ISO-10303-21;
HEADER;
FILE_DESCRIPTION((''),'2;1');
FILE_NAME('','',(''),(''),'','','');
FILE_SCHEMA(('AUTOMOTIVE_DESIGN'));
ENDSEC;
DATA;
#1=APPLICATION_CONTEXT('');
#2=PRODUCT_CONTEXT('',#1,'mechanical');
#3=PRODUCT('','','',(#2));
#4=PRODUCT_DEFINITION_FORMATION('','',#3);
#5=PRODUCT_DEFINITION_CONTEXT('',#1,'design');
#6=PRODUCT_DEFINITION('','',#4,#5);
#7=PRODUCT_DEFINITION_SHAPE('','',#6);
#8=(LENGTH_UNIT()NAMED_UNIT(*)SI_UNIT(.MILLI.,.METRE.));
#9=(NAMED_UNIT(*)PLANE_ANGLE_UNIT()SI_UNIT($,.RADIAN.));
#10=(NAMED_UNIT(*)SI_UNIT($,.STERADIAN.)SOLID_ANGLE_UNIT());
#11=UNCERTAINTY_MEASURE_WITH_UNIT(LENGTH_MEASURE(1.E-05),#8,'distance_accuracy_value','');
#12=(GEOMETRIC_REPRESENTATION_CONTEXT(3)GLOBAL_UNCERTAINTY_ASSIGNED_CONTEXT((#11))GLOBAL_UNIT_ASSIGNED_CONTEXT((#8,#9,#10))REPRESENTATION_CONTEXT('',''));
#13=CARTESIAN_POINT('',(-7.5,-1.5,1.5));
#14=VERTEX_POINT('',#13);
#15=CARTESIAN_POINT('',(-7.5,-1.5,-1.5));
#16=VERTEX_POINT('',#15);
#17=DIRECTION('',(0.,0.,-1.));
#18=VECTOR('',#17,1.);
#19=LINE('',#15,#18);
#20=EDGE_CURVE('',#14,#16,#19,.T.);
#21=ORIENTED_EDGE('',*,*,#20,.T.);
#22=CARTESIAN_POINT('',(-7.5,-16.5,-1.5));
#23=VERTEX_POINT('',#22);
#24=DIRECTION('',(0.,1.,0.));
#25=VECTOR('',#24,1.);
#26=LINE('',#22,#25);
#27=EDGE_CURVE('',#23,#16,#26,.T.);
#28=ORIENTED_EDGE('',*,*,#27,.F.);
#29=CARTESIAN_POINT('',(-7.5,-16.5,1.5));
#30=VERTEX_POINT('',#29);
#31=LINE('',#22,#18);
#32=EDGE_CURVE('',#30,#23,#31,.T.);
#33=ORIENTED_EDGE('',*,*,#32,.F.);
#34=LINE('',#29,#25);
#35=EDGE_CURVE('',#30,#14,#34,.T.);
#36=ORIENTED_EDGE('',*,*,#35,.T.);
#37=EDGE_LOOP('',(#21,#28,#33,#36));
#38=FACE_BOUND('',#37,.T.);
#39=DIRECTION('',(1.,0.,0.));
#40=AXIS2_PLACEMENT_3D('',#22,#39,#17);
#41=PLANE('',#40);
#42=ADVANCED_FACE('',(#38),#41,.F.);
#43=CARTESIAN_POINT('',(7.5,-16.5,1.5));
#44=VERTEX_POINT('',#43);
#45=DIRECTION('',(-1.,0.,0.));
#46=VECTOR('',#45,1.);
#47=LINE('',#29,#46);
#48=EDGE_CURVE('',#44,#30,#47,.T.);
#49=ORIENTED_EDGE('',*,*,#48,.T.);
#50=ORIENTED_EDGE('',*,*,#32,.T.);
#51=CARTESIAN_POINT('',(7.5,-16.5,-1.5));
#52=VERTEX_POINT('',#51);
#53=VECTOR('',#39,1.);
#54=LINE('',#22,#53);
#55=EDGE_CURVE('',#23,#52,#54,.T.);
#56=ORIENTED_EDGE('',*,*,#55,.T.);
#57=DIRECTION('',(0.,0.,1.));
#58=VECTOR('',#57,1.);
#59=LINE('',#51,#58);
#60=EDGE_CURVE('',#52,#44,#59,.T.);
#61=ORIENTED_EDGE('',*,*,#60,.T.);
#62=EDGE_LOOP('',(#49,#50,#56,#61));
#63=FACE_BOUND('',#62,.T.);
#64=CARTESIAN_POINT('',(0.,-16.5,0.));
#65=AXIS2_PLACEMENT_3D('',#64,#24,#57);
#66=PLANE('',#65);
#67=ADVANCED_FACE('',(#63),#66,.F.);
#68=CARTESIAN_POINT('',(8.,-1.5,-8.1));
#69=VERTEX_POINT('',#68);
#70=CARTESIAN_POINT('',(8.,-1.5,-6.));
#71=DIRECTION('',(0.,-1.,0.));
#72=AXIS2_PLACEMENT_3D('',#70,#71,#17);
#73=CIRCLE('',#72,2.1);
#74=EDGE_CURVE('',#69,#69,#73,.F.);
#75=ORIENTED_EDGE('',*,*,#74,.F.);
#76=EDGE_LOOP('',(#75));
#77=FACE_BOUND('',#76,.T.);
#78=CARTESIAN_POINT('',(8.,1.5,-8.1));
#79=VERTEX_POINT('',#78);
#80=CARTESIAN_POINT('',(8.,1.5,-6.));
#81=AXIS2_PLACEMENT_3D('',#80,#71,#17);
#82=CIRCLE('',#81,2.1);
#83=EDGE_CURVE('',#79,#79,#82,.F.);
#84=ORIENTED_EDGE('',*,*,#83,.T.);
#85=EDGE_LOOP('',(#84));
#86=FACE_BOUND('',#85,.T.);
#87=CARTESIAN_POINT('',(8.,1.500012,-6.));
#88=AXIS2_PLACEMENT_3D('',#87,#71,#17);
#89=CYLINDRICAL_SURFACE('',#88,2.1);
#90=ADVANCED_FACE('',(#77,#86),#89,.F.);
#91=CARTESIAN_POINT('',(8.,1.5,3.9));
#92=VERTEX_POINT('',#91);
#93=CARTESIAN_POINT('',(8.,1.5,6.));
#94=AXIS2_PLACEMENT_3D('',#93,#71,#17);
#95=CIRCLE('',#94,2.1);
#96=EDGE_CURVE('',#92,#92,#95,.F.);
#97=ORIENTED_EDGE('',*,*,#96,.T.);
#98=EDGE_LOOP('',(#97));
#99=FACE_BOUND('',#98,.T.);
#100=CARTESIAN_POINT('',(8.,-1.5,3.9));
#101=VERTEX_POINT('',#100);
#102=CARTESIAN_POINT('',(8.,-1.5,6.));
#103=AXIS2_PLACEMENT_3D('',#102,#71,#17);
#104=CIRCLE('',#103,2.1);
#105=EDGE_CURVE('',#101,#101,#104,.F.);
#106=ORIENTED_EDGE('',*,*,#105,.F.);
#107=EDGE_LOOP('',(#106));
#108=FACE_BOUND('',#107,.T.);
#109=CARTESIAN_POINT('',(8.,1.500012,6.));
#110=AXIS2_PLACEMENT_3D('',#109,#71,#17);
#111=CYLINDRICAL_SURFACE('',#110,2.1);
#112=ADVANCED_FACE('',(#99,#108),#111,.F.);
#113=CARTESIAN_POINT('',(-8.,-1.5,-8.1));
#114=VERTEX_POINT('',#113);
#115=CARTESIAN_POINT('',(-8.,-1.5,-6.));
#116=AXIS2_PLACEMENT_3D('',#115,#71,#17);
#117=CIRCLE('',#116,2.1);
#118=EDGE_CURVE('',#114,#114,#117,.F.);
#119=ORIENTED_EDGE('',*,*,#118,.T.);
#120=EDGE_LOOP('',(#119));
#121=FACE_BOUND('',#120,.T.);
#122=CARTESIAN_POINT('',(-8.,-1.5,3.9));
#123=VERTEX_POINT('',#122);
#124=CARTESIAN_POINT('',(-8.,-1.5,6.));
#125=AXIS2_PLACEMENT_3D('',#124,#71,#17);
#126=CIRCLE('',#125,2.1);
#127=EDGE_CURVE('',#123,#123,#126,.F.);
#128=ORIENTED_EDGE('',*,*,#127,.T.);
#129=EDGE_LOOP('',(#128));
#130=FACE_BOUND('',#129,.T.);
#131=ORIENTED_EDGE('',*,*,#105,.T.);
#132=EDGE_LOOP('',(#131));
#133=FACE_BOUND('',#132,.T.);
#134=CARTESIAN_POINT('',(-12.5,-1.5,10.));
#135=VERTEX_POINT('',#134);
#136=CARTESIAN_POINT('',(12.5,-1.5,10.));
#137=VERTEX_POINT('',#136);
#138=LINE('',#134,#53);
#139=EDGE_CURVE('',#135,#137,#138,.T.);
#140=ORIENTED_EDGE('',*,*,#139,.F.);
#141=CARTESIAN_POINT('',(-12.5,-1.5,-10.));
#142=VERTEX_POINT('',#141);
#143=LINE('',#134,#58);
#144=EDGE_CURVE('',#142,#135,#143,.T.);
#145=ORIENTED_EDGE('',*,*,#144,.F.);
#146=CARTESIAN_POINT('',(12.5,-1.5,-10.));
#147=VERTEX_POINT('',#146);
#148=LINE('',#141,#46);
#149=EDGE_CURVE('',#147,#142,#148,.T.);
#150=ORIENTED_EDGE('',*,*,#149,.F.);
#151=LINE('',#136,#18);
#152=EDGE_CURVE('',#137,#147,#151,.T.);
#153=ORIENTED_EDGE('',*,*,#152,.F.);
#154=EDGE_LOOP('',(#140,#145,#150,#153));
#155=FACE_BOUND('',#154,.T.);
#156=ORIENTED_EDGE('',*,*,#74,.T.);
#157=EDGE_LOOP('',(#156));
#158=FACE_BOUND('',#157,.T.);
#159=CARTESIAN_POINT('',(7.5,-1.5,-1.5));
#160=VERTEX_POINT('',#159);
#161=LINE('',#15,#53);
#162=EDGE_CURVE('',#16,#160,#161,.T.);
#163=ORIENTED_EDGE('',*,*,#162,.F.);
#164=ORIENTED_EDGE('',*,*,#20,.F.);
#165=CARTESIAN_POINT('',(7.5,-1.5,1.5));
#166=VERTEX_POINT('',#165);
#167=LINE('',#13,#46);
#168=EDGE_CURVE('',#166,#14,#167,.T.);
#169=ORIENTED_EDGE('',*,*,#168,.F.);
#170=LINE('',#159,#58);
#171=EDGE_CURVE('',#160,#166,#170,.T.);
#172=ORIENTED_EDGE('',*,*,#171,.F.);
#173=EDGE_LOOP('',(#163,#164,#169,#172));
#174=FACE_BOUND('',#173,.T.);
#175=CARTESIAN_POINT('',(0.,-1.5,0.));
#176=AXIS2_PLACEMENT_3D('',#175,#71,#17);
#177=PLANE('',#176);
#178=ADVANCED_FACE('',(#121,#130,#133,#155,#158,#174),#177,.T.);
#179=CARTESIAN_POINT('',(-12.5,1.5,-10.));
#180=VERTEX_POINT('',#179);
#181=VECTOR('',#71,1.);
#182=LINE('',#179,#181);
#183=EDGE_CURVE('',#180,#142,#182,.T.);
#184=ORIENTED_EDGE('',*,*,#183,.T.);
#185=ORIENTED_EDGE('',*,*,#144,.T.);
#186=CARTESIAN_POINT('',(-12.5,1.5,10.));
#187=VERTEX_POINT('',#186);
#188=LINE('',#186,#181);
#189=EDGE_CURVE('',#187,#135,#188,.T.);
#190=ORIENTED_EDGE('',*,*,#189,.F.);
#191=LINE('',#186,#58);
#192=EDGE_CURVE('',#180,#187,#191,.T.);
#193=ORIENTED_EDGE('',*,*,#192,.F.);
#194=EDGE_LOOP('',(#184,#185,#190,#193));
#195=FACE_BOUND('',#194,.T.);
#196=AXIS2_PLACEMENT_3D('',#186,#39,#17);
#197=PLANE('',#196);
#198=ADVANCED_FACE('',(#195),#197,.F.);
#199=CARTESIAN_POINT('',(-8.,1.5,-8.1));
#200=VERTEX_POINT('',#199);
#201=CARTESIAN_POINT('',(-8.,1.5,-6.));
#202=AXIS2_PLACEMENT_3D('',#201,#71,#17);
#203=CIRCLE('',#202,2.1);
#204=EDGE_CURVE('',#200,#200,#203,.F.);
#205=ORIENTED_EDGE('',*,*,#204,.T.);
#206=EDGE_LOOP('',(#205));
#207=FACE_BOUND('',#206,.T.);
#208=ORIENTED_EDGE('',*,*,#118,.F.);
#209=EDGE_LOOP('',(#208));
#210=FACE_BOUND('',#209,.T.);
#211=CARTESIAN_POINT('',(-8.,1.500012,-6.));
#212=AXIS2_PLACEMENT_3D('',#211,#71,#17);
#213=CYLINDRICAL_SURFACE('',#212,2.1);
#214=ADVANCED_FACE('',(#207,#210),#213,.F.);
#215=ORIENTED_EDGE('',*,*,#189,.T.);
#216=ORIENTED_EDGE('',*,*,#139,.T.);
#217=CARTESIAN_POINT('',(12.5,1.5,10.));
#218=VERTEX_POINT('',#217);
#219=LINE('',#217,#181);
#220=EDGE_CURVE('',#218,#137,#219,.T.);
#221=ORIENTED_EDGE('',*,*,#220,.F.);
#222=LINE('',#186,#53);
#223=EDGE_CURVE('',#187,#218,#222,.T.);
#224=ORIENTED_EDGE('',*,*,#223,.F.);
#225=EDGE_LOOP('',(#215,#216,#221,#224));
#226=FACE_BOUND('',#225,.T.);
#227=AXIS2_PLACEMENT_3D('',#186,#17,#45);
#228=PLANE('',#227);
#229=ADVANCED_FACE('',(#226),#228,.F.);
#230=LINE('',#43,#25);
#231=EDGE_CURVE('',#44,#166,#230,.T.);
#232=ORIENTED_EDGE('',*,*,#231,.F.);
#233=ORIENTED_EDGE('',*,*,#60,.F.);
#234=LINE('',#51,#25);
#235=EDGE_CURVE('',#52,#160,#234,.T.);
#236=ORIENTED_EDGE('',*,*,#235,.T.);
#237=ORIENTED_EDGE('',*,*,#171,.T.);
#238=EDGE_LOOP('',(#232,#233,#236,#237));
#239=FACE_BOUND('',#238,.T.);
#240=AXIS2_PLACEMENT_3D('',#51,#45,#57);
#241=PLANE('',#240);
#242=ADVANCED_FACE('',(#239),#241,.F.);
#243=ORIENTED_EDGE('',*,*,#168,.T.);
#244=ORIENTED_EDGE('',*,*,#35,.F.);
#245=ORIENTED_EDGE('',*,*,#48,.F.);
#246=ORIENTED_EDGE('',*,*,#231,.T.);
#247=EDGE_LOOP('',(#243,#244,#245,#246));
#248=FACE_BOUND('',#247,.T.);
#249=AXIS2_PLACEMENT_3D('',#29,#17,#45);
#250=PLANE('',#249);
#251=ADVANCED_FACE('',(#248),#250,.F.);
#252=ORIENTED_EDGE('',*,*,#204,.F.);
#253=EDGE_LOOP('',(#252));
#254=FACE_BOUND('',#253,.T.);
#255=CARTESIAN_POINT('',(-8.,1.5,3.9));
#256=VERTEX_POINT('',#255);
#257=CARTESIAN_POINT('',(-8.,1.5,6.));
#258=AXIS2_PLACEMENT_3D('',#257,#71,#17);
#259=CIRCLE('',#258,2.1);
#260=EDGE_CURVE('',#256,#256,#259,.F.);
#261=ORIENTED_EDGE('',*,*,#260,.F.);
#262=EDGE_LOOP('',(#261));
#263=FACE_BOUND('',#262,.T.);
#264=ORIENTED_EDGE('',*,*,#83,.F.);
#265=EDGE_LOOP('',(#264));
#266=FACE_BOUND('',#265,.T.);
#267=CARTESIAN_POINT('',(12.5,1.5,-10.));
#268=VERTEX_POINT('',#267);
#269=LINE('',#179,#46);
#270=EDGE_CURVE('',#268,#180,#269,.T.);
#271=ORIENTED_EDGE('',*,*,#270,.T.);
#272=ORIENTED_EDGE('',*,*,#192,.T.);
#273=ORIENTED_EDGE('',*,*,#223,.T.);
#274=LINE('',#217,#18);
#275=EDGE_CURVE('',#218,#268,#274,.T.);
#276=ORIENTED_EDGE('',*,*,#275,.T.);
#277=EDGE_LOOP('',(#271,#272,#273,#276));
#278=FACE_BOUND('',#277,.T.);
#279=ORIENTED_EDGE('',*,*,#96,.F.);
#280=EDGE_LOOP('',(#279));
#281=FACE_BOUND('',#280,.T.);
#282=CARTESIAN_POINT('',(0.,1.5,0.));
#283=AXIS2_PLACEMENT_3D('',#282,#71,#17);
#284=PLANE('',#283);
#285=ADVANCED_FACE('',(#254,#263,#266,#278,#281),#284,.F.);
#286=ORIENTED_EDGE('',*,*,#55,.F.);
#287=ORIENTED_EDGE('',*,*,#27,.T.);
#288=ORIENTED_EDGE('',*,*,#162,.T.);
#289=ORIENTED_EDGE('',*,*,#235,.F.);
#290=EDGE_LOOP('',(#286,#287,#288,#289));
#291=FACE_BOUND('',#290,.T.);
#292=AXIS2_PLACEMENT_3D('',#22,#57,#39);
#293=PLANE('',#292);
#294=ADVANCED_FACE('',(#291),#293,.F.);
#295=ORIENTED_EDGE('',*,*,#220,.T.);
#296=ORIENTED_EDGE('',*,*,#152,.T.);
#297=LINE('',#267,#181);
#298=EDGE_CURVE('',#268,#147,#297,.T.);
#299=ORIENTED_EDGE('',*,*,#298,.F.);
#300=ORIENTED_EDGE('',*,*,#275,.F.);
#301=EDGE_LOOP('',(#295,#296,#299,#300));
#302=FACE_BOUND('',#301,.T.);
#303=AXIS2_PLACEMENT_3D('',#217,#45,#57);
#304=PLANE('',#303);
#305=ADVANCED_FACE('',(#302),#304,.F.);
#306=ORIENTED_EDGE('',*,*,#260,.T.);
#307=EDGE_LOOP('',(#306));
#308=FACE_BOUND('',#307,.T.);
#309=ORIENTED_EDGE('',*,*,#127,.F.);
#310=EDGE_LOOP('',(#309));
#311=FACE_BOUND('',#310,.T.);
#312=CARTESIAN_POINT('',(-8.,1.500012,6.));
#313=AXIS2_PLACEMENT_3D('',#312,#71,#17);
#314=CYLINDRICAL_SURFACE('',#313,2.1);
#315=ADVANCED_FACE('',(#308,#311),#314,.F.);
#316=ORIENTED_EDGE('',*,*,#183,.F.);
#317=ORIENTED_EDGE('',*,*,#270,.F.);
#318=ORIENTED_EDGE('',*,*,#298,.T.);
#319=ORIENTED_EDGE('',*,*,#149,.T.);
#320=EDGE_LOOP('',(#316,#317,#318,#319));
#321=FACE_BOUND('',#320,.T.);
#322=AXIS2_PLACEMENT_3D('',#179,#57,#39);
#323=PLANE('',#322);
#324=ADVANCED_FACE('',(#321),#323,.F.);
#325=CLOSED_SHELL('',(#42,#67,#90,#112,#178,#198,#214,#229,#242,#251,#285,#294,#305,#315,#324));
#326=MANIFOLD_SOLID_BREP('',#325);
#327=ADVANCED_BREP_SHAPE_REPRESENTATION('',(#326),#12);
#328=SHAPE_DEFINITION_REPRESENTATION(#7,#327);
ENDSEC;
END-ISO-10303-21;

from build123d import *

# Parameters (mm, degrees)
SKETCH1_W                      = 25
SKETCH1_H                      = 20
BOSS_EXTRUDE1_DEPTH            = 1.5
SKETCH2_W                      = 15
SKETCH2_H                      = 3
BOSS_EXTRUDE2_DEPTH            = 15
CUT_EXTRUDE1_REACH             = 20
SKETCH3_R                      = 2.1
CUT_EXTRUDE1_DIRECTION_2_DEPTH = 1


with BuildPart() as part:
    # Sketch1 → Boss-Extrude1 (new body, symmetric)
    with BuildSketch(Plane(origin=(0, 0, 0), x_dir=(1, 0, 0), z_dir=(0, 1, 0))):
        Rectangle(SKETCH1_W, SKETCH1_H)
    extrude(amount=BOSS_EXTRUDE1_DEPTH, both=True)

    # Sketch2 → Boss-Extrude2 (add)
    with BuildSketch(Plane.XZ.offset(1.5)):
        Rectangle(SKETCH2_W, SKETCH2_H)
    extrude(amount=BOSS_EXTRUDE2_DEPTH)

    # Sketch3 → Cut-Extrude1 (cut, up to next)
    with BuildSketch(Plane(origin=(0, 1.5, 0), x_dir=(1, 0, 0), z_dir=(0, 1, 0)), mode=Mode.PRIVATE) as cut_extrude1_sk1:
        with Locations((-8, 6)):
            Circle(SKETCH3_R)
    cut_extrude1_tool1 = extrude(cut_extrude1_sk1.sketch, amount=-CUT_EXTRUDE1_REACH, mode=Mode.PRIVATE) & part.part
    add(cut_extrude1_tool1.solids().sort_by_distance((-8, 1.5, -6))[0], mode=Mode.SUBTRACT)
    # Sketch3 → Cut-Extrude1 (cut, up to next)
    with BuildSketch(Plane(origin=(0, 1.5, 0), x_dir=(1, 0, 0), z_dir=(0, 1, 0)), mode=Mode.PRIVATE) as cut_extrude1_sk2:
        with Locations((8, 6)):
            Circle(SKETCH3_R)
    cut_extrude1_tool2 = extrude(cut_extrude1_sk2.sketch, amount=-CUT_EXTRUDE1_REACH, mode=Mode.PRIVATE) & part.part
    add(cut_extrude1_tool2.solids().sort_by_distance((8, 1.5, -6))[0], mode=Mode.SUBTRACT)
    # Sketch3 → Cut-Extrude1 (cut, up to next)
    with BuildSketch(Plane(origin=(0, 1.5, 0), x_dir=(1, 0, 0), z_dir=(0, 1, 0)), mode=Mode.PRIVATE) as cut_extrude1_sk3:
        with Locations((8, -6)):
            Circle(SKETCH3_R)
    cut_extrude1_tool3 = extrude(cut_extrude1_sk3.sketch, amount=-CUT_EXTRUDE1_REACH, mode=Mode.PRIVATE) & part.part
    add(cut_extrude1_tool3.solids().sort_by_distance((8, 1.5, 6))[0], mode=Mode.SUBTRACT)
    # Sketch3 → Cut-Extrude1 (cut, up to next)
    with BuildSketch(Plane(origin=(0, 1.5, 0), x_dir=(1, 0, 0), z_dir=(0, 1, 0)), mode=Mode.PRIVATE) as cut_extrude1_sk4:
        with Locations((-8, -6)):
            Circle(SKETCH3_R)
    cut_extrude1_tool4 = extrude(cut_extrude1_sk4.sketch, amount=-CUT_EXTRUDE1_REACH, mode=Mode.PRIVATE) & part.part
    add(cut_extrude1_tool4.solids().sort_by_distance((-8, 1.5, 6))[0], mode=Mode.SUBTRACT)

    # Sketch3 → Cut-Extrude1 direction 2 (cut)
    with BuildSketch(Plane(origin=(0, 1.5, 0), x_dir=(1, 0, 0), z_dir=(0, 1, 0))):
        with Locations((-8, 6)):
            Circle(SKETCH3_R)
        with Locations((8, 6)):
            Circle(SKETCH3_R)
        with Locations((8, -6)):
            Circle(SKETCH3_R)
        with Locations((-8, -6)):
            Circle(SKETCH3_R)
    extrude(amount=CUT_EXTRUDE1_DIRECTION_2_DEPTH, mode=Mode.SUBTRACT)


solid = part.part
